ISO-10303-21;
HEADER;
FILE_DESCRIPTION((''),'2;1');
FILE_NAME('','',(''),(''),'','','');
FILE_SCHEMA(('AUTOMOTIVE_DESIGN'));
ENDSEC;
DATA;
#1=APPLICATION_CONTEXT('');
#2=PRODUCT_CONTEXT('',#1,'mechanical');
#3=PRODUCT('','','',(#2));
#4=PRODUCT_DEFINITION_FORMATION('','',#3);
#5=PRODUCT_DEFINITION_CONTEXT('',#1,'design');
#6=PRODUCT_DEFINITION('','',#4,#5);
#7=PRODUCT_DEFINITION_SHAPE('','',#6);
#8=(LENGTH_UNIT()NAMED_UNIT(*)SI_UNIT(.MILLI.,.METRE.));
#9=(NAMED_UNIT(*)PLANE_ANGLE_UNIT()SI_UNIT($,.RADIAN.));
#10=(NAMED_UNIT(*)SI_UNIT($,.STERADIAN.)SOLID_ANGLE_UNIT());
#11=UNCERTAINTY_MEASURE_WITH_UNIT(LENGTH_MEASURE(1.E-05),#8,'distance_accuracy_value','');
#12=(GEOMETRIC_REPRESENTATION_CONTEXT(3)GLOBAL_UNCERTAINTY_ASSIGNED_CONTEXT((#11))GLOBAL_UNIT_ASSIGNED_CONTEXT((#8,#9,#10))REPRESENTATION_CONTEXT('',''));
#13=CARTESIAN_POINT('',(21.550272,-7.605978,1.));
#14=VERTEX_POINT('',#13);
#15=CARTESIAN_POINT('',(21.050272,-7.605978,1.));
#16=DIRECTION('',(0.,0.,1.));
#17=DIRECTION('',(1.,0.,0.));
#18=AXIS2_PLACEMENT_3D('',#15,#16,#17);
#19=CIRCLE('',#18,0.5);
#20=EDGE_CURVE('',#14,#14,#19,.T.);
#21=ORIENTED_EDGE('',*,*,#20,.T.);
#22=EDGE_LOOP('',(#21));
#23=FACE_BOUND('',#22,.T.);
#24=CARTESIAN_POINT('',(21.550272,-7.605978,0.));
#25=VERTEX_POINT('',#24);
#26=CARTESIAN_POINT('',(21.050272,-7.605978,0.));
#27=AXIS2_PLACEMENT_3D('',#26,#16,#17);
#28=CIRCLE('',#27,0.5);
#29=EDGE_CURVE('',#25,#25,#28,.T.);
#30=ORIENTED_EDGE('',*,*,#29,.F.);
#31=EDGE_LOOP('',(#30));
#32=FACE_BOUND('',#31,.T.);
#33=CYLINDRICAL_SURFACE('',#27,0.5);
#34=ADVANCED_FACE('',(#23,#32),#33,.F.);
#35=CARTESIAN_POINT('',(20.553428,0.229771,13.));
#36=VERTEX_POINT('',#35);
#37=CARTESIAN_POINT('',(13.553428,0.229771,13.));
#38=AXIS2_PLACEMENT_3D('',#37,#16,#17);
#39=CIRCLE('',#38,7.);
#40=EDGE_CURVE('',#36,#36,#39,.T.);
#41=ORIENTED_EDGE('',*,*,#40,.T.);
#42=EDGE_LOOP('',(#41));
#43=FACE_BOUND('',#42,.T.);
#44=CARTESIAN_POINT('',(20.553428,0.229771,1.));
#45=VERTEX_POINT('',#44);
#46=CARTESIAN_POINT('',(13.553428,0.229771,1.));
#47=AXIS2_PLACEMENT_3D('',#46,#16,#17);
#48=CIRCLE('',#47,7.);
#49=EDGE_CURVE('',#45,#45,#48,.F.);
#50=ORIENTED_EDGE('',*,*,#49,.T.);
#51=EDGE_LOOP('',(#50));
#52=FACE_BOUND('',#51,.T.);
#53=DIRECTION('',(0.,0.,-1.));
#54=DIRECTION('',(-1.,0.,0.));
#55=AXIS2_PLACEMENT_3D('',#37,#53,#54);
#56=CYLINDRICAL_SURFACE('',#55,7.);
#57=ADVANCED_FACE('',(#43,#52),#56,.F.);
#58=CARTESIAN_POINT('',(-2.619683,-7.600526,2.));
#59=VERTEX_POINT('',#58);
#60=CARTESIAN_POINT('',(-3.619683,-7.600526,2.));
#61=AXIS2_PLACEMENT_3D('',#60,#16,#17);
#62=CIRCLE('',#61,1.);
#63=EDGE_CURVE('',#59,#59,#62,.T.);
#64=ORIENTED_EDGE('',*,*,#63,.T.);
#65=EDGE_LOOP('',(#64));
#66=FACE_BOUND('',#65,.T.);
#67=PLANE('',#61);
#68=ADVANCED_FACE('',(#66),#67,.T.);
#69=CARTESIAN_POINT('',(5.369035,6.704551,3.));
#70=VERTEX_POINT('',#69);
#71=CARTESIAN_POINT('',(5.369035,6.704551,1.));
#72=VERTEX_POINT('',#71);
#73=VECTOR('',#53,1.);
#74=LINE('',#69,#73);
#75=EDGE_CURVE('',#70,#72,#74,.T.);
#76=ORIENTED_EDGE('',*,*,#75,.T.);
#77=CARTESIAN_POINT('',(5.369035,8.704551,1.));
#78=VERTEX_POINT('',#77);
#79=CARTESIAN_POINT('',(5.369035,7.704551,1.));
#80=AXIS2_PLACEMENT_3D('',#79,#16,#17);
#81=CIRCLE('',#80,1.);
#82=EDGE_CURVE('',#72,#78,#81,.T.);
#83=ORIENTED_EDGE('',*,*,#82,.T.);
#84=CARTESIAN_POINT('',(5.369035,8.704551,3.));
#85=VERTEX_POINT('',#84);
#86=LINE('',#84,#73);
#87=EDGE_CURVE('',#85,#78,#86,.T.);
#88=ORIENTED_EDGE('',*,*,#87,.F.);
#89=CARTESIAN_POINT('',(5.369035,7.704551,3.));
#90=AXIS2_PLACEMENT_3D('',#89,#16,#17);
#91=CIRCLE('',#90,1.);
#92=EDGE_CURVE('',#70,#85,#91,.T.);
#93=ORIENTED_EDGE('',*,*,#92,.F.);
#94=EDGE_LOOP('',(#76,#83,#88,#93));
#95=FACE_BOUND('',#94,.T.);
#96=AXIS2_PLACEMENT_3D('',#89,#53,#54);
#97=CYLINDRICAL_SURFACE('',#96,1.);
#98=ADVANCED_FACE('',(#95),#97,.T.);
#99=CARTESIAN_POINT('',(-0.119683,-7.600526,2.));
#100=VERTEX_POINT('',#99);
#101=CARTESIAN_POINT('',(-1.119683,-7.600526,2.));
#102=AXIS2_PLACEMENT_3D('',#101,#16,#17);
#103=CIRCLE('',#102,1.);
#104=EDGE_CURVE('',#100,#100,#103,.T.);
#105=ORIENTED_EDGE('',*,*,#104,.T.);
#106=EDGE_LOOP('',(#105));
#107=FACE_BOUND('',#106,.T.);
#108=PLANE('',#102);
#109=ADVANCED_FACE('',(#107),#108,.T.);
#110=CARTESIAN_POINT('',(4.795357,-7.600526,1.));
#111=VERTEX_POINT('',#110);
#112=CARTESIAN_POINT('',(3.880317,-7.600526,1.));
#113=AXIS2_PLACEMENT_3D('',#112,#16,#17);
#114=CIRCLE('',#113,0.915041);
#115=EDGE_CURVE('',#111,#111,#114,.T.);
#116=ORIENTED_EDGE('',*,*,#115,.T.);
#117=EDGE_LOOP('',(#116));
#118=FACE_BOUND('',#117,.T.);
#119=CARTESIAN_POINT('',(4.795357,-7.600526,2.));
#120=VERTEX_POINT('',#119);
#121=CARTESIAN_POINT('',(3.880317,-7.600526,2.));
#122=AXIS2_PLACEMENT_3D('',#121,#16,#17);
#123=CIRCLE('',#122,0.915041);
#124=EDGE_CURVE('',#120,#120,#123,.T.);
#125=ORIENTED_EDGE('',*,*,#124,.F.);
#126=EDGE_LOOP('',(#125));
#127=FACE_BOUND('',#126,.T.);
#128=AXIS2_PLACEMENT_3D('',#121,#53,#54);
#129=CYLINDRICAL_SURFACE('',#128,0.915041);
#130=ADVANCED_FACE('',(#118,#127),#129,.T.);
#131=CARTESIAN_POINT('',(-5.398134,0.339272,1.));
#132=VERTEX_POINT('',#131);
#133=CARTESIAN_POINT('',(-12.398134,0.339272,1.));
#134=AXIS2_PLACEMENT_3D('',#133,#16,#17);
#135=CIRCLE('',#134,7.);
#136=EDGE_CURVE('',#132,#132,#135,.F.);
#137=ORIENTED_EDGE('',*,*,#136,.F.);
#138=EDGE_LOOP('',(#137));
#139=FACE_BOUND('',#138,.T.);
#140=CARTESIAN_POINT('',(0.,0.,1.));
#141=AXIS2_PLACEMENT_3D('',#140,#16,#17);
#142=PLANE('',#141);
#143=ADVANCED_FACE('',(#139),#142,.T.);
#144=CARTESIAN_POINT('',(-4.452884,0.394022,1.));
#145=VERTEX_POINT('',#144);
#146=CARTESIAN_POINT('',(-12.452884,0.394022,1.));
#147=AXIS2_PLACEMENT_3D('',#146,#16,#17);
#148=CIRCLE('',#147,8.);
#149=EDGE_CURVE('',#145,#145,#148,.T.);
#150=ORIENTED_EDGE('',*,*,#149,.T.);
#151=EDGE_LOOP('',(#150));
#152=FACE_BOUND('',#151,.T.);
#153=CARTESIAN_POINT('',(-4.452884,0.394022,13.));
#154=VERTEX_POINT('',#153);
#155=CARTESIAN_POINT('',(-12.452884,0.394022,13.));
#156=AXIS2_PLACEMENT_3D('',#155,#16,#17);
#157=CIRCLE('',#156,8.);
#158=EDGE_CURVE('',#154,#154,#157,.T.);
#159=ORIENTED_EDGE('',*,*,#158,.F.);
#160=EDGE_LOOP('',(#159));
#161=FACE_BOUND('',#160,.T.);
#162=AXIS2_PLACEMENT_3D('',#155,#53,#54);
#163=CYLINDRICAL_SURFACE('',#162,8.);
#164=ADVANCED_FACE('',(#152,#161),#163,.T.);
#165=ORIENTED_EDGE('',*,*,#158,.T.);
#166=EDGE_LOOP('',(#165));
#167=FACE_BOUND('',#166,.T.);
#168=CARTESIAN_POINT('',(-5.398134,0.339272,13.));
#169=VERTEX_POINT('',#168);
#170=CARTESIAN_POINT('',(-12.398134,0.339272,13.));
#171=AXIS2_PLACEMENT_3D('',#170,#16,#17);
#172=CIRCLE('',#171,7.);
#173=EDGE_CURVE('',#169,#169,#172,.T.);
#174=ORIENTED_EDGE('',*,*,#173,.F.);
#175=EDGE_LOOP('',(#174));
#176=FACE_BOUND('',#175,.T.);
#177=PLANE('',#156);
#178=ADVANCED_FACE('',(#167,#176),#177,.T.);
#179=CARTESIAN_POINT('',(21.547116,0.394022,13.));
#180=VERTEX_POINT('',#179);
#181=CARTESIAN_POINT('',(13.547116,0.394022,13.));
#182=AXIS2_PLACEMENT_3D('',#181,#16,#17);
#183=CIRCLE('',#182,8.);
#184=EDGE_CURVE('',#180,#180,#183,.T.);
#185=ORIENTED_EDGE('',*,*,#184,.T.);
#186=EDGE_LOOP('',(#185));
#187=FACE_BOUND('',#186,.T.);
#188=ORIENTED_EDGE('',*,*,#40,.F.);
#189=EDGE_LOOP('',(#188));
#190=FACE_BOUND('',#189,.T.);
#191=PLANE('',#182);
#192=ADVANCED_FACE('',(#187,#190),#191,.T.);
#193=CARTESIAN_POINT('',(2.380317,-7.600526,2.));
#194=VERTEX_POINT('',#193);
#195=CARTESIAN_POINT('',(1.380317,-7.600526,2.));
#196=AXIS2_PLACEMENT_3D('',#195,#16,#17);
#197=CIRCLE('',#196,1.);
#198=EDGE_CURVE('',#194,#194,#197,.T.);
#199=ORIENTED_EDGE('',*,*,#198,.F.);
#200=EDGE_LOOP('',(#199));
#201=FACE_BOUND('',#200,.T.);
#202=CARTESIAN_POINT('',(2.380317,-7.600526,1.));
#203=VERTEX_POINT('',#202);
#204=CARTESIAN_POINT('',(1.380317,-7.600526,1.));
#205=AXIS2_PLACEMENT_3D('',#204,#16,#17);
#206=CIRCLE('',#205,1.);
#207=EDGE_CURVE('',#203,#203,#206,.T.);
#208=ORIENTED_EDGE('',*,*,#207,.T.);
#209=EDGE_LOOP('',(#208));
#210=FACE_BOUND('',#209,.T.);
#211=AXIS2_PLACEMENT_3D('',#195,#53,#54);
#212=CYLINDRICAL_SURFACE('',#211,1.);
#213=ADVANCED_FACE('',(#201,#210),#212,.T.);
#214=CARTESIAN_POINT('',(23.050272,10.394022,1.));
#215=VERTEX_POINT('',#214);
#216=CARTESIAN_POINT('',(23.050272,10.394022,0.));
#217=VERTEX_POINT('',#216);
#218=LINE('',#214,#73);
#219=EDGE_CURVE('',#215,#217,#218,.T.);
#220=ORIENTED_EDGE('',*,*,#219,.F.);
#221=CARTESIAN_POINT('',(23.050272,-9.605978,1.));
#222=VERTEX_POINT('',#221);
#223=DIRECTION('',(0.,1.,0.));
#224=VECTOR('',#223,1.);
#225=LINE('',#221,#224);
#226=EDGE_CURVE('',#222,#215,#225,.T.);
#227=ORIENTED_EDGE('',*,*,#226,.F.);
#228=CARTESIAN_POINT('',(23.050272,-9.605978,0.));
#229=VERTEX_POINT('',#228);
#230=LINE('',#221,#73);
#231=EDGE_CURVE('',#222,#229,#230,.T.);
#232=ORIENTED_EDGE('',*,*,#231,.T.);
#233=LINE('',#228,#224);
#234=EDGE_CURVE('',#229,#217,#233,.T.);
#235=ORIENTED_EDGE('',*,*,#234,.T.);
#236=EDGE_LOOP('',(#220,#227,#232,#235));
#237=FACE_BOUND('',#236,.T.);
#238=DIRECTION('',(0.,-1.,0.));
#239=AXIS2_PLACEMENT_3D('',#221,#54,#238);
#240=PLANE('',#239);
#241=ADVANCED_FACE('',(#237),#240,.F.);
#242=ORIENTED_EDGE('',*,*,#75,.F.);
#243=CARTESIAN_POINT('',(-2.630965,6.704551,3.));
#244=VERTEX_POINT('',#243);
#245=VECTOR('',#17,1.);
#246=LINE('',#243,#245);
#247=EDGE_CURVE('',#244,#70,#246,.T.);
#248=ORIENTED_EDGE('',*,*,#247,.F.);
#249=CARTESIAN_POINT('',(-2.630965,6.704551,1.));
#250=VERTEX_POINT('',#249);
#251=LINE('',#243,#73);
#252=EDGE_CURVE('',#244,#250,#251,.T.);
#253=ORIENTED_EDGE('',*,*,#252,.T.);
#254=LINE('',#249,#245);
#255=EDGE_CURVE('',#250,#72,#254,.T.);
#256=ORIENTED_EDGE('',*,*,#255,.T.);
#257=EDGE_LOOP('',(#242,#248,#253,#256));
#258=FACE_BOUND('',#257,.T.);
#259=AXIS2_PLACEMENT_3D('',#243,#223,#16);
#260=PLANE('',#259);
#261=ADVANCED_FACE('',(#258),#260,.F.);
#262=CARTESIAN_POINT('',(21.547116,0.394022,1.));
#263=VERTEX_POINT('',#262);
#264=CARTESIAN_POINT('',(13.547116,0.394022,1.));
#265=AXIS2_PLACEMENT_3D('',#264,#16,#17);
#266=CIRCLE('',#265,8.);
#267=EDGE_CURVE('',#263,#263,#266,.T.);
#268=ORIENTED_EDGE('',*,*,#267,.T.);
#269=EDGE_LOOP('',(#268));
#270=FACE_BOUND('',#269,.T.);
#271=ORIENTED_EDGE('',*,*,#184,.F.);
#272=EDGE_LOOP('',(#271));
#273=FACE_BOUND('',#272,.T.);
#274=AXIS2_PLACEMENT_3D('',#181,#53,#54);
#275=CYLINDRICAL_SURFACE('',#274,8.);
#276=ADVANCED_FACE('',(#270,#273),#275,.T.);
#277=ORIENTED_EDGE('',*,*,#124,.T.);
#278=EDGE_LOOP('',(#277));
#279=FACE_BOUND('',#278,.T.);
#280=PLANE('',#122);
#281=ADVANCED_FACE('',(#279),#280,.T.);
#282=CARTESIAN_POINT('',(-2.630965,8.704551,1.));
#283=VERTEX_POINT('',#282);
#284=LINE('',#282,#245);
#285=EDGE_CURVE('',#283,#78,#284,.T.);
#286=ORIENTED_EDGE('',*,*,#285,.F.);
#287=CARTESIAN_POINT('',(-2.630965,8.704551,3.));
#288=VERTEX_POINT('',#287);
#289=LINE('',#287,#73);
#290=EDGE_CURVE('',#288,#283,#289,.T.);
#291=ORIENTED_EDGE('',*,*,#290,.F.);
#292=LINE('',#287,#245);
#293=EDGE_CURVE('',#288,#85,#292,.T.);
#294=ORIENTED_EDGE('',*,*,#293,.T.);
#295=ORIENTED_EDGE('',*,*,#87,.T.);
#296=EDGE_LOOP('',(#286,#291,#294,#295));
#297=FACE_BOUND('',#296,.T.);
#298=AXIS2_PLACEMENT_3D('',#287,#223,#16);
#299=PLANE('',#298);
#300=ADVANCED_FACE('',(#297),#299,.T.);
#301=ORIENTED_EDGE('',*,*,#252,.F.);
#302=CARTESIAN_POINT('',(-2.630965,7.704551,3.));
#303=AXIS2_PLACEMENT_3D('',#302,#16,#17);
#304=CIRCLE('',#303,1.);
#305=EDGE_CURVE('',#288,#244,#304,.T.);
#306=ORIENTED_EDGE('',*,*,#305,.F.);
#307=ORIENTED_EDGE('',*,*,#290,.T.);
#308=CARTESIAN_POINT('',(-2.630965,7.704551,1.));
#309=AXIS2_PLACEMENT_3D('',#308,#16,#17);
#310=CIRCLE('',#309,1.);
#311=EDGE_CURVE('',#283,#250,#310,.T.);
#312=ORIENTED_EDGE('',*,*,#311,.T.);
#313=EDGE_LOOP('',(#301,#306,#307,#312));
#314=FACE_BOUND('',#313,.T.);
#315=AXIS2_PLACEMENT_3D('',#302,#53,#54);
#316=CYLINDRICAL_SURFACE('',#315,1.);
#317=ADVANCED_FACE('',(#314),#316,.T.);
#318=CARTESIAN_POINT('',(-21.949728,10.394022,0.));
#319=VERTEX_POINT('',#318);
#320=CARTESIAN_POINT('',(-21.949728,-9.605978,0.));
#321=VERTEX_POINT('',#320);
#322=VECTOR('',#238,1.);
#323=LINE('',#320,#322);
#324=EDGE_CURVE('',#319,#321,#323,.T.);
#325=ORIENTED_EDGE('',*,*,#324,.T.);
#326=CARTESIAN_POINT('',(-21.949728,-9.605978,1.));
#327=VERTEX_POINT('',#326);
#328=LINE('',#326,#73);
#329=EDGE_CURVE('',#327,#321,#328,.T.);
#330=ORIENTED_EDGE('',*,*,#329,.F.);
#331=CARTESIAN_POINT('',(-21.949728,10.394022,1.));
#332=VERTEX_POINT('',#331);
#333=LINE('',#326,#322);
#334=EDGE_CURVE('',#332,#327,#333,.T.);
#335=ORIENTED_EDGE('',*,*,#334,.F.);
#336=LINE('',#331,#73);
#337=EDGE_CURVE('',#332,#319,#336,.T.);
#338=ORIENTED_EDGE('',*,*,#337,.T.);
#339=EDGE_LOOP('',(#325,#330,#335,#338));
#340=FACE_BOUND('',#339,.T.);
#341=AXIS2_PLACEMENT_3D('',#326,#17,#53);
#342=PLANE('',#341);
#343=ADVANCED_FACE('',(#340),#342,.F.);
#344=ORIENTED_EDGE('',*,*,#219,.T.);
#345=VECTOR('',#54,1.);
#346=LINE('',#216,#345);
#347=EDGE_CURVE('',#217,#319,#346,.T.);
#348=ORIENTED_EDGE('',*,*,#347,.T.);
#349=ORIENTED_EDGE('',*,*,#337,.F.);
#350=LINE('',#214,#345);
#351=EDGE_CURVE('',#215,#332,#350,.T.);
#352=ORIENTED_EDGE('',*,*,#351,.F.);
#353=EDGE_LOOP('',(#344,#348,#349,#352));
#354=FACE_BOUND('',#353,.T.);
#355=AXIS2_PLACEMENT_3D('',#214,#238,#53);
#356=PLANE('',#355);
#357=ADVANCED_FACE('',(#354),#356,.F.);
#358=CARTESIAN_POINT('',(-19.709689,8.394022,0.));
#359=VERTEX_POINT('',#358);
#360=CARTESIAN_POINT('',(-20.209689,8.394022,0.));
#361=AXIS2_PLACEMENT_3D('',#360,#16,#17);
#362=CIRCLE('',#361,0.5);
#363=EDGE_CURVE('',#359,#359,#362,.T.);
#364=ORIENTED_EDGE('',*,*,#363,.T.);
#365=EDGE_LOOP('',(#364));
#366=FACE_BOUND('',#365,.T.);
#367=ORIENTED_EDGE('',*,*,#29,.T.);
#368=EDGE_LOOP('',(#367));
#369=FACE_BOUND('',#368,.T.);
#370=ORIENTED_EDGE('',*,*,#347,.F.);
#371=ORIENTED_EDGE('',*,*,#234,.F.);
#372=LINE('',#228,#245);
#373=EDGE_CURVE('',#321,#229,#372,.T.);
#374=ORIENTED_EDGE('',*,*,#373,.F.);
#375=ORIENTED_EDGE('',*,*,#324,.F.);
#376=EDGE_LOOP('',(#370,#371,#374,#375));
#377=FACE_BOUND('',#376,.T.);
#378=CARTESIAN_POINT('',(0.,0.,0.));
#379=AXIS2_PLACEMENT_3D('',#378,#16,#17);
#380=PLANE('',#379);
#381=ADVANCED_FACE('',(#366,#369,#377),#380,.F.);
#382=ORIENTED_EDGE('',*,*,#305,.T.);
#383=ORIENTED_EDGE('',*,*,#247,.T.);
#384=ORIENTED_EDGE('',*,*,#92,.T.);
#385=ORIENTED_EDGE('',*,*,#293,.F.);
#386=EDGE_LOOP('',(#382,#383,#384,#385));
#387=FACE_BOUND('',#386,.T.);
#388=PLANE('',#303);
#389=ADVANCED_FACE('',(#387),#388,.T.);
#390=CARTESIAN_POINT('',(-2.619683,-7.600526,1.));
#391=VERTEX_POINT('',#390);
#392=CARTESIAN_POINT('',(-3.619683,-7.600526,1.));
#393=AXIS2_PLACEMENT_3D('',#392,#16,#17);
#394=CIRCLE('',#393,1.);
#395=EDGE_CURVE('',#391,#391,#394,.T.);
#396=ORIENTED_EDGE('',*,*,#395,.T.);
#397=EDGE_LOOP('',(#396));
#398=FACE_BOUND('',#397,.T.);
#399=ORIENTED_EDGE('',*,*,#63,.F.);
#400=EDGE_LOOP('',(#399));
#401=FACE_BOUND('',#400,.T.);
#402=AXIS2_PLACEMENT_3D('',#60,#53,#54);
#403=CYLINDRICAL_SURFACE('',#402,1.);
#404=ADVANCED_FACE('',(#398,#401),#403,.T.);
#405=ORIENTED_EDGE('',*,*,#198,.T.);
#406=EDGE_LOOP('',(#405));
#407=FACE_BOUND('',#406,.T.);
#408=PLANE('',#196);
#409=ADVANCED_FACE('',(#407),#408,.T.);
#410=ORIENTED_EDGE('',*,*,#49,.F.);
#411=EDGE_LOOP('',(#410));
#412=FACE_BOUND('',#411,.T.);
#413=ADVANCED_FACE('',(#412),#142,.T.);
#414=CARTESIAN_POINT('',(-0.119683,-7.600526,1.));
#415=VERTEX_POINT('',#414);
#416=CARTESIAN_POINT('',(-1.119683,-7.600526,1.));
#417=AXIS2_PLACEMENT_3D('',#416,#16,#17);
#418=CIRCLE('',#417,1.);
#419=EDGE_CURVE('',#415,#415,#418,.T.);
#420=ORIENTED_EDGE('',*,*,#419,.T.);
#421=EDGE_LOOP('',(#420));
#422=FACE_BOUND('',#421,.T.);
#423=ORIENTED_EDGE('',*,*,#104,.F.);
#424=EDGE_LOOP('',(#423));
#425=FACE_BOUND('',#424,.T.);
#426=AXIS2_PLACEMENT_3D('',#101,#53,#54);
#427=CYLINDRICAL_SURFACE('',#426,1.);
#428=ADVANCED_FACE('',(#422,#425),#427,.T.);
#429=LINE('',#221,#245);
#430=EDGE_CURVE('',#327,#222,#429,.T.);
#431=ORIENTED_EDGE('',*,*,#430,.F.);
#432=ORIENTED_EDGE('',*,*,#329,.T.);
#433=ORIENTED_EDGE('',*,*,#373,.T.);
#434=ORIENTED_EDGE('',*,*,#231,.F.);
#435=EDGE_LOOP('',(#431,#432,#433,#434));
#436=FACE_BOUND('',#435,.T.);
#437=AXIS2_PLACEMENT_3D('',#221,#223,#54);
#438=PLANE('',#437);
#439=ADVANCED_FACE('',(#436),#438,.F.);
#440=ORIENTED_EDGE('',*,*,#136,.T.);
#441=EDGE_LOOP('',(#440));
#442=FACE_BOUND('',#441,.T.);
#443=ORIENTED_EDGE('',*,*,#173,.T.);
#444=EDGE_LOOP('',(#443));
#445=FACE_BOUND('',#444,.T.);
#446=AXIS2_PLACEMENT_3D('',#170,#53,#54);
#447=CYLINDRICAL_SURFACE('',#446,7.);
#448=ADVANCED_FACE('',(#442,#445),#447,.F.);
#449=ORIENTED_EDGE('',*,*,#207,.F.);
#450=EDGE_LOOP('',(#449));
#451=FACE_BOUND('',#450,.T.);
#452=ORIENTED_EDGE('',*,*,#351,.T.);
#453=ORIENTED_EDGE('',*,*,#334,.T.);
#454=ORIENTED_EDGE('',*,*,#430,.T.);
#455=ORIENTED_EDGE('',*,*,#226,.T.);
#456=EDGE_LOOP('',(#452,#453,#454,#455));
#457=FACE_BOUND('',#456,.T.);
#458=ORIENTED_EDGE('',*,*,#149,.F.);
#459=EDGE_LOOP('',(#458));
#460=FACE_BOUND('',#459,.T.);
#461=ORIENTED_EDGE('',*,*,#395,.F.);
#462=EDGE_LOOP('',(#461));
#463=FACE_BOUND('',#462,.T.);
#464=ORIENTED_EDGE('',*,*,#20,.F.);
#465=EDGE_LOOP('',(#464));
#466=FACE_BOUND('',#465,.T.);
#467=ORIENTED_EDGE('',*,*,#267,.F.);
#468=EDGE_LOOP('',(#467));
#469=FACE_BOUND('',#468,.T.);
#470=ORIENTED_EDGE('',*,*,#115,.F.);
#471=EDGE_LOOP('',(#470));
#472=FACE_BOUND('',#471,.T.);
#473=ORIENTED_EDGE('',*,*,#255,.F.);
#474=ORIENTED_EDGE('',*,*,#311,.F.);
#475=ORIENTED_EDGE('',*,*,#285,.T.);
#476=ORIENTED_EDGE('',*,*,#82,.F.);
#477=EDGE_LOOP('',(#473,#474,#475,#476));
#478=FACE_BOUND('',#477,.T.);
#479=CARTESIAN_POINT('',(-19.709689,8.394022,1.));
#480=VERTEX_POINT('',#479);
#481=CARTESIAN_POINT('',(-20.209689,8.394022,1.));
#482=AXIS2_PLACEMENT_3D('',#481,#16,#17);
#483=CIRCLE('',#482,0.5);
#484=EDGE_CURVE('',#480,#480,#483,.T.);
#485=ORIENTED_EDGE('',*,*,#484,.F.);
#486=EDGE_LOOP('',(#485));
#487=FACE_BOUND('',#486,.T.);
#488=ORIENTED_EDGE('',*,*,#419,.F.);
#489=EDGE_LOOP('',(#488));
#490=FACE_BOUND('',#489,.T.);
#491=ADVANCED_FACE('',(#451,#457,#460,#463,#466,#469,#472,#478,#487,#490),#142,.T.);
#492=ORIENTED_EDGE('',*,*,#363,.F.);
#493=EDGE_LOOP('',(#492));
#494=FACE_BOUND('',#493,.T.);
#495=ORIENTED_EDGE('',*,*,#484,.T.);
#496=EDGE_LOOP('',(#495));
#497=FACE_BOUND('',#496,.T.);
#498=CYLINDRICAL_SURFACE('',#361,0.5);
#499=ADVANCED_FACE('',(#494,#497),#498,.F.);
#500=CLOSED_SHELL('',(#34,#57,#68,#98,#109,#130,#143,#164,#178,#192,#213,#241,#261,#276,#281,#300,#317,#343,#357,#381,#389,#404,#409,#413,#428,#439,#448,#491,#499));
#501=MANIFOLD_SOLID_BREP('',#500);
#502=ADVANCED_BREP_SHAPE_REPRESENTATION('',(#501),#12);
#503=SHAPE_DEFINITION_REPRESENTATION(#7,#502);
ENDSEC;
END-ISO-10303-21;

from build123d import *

# Parameters (mm, degrees)
SKETCH1_W           = 45
SKETCH1_H           = 20
BOSS_EXTRUDE1_DEPTH = 1
SKETCH2_R           = 8
SKETCH2_R_2         = 7
BOSS_EXTRUDE2_DEPTH = 12
BOSS_EXTRUDE3_DEPTH = 2
SKETCH5_R           = 1
SKETCH5_R_2         = 0.915040835
BOSS_EXTRUDE4_DEPTH = 1
SKETCH6_R           = 0.5
CUT_EXTRUDE1_DEPTH  = 1


with BuildPart() as part:
    # Sketch1 → Boss-Extrude1 (new body)
    with BuildSketch(Plane.XY):
        with Locations((0.550271739, 0.394021739)):
            Rectangle(SKETCH1_W, SKETCH1_H)
    extrude(amount=BOSS_EXTRUDE1_DEPTH)

    # Sketch2 → Boss-Extrude2 (add)
    # profile 1 of 2: a face of its own
    with BuildSketch(Plane.XY.offset(1)):
        with Locations((-12.452884101, 0.394021739)):
            Circle(SKETCH2_R)
        with Locations((-12.398133971, 0.339271609)):
            Circle(SKETCH2_R_2, mode=Mode.SUBTRACT)
    # profile 2 of 2: a face of its own
    with BuildSketch(Plane.XY.offset(1)):
        with Locations((13.547115899, 0.394021739)):
            Circle(SKETCH2_R)
        with Locations((13.55342758, 0.22977135)):
            Circle(SKETCH2_R_2, mode=Mode.SUBTRACT)
    extrude(amount=BOSS_EXTRUDE2_DEPTH)

    # Sketch4 → Boss-Extrude3 (add)
    with BuildSketch(Plane.XY.offset(1)):
        with BuildLine():
            Line((-2.6309647, 8.704551111), (5.3690353, 8.704551111))
            ThreePointArc((5.3690353, 8.704551111), (6.3690353, 7.704551111), (5.3690353, 6.704551111))
            Line((5.3690353, 6.704551111), (-2.6309647, 6.704551111))
            ThreePointArc((-2.6309647, 6.704551111), (-3.6309647, 7.704551111), (-2.6309647, 8.704551111))
        make_face()
    extrude(amount=BOSS_EXTRUDE3_DEPTH)

    # Sketch5 → Boss-Extrude4 (add)
    with BuildSketch(Plane.XY.offset(1)):
        with Locations((-3.619683348, -7.600525734)):
            Circle(SKETCH5_R)
        with Locations((-1.119683348, -7.600525734)):
            Circle(SKETCH5_R)
        with Locations((1.380316652, -7.600525734)):
            Circle(SKETCH5_R)
        with Locations((3.880316652, -7.600525734)):
            Circle(SKETCH5_R_2)
    extrude(amount=BOSS_EXTRUDE4_DEPTH)

    # Sketch6 → Cut-Extrude1 (cut)
    with BuildSketch(Plane.XY.offset(1)):
        with Locations((-20.209689263, 8.394021739)):
            Circle(SKETCH6_R)
        with Locations((21.050271739, -7.605978261)):
            Circle(SKETCH6_R)
    extrude(amount=-CUT_EXTRUDE1_DEPTH, mode=Mode.SUBTRACT)


solid = part.part
